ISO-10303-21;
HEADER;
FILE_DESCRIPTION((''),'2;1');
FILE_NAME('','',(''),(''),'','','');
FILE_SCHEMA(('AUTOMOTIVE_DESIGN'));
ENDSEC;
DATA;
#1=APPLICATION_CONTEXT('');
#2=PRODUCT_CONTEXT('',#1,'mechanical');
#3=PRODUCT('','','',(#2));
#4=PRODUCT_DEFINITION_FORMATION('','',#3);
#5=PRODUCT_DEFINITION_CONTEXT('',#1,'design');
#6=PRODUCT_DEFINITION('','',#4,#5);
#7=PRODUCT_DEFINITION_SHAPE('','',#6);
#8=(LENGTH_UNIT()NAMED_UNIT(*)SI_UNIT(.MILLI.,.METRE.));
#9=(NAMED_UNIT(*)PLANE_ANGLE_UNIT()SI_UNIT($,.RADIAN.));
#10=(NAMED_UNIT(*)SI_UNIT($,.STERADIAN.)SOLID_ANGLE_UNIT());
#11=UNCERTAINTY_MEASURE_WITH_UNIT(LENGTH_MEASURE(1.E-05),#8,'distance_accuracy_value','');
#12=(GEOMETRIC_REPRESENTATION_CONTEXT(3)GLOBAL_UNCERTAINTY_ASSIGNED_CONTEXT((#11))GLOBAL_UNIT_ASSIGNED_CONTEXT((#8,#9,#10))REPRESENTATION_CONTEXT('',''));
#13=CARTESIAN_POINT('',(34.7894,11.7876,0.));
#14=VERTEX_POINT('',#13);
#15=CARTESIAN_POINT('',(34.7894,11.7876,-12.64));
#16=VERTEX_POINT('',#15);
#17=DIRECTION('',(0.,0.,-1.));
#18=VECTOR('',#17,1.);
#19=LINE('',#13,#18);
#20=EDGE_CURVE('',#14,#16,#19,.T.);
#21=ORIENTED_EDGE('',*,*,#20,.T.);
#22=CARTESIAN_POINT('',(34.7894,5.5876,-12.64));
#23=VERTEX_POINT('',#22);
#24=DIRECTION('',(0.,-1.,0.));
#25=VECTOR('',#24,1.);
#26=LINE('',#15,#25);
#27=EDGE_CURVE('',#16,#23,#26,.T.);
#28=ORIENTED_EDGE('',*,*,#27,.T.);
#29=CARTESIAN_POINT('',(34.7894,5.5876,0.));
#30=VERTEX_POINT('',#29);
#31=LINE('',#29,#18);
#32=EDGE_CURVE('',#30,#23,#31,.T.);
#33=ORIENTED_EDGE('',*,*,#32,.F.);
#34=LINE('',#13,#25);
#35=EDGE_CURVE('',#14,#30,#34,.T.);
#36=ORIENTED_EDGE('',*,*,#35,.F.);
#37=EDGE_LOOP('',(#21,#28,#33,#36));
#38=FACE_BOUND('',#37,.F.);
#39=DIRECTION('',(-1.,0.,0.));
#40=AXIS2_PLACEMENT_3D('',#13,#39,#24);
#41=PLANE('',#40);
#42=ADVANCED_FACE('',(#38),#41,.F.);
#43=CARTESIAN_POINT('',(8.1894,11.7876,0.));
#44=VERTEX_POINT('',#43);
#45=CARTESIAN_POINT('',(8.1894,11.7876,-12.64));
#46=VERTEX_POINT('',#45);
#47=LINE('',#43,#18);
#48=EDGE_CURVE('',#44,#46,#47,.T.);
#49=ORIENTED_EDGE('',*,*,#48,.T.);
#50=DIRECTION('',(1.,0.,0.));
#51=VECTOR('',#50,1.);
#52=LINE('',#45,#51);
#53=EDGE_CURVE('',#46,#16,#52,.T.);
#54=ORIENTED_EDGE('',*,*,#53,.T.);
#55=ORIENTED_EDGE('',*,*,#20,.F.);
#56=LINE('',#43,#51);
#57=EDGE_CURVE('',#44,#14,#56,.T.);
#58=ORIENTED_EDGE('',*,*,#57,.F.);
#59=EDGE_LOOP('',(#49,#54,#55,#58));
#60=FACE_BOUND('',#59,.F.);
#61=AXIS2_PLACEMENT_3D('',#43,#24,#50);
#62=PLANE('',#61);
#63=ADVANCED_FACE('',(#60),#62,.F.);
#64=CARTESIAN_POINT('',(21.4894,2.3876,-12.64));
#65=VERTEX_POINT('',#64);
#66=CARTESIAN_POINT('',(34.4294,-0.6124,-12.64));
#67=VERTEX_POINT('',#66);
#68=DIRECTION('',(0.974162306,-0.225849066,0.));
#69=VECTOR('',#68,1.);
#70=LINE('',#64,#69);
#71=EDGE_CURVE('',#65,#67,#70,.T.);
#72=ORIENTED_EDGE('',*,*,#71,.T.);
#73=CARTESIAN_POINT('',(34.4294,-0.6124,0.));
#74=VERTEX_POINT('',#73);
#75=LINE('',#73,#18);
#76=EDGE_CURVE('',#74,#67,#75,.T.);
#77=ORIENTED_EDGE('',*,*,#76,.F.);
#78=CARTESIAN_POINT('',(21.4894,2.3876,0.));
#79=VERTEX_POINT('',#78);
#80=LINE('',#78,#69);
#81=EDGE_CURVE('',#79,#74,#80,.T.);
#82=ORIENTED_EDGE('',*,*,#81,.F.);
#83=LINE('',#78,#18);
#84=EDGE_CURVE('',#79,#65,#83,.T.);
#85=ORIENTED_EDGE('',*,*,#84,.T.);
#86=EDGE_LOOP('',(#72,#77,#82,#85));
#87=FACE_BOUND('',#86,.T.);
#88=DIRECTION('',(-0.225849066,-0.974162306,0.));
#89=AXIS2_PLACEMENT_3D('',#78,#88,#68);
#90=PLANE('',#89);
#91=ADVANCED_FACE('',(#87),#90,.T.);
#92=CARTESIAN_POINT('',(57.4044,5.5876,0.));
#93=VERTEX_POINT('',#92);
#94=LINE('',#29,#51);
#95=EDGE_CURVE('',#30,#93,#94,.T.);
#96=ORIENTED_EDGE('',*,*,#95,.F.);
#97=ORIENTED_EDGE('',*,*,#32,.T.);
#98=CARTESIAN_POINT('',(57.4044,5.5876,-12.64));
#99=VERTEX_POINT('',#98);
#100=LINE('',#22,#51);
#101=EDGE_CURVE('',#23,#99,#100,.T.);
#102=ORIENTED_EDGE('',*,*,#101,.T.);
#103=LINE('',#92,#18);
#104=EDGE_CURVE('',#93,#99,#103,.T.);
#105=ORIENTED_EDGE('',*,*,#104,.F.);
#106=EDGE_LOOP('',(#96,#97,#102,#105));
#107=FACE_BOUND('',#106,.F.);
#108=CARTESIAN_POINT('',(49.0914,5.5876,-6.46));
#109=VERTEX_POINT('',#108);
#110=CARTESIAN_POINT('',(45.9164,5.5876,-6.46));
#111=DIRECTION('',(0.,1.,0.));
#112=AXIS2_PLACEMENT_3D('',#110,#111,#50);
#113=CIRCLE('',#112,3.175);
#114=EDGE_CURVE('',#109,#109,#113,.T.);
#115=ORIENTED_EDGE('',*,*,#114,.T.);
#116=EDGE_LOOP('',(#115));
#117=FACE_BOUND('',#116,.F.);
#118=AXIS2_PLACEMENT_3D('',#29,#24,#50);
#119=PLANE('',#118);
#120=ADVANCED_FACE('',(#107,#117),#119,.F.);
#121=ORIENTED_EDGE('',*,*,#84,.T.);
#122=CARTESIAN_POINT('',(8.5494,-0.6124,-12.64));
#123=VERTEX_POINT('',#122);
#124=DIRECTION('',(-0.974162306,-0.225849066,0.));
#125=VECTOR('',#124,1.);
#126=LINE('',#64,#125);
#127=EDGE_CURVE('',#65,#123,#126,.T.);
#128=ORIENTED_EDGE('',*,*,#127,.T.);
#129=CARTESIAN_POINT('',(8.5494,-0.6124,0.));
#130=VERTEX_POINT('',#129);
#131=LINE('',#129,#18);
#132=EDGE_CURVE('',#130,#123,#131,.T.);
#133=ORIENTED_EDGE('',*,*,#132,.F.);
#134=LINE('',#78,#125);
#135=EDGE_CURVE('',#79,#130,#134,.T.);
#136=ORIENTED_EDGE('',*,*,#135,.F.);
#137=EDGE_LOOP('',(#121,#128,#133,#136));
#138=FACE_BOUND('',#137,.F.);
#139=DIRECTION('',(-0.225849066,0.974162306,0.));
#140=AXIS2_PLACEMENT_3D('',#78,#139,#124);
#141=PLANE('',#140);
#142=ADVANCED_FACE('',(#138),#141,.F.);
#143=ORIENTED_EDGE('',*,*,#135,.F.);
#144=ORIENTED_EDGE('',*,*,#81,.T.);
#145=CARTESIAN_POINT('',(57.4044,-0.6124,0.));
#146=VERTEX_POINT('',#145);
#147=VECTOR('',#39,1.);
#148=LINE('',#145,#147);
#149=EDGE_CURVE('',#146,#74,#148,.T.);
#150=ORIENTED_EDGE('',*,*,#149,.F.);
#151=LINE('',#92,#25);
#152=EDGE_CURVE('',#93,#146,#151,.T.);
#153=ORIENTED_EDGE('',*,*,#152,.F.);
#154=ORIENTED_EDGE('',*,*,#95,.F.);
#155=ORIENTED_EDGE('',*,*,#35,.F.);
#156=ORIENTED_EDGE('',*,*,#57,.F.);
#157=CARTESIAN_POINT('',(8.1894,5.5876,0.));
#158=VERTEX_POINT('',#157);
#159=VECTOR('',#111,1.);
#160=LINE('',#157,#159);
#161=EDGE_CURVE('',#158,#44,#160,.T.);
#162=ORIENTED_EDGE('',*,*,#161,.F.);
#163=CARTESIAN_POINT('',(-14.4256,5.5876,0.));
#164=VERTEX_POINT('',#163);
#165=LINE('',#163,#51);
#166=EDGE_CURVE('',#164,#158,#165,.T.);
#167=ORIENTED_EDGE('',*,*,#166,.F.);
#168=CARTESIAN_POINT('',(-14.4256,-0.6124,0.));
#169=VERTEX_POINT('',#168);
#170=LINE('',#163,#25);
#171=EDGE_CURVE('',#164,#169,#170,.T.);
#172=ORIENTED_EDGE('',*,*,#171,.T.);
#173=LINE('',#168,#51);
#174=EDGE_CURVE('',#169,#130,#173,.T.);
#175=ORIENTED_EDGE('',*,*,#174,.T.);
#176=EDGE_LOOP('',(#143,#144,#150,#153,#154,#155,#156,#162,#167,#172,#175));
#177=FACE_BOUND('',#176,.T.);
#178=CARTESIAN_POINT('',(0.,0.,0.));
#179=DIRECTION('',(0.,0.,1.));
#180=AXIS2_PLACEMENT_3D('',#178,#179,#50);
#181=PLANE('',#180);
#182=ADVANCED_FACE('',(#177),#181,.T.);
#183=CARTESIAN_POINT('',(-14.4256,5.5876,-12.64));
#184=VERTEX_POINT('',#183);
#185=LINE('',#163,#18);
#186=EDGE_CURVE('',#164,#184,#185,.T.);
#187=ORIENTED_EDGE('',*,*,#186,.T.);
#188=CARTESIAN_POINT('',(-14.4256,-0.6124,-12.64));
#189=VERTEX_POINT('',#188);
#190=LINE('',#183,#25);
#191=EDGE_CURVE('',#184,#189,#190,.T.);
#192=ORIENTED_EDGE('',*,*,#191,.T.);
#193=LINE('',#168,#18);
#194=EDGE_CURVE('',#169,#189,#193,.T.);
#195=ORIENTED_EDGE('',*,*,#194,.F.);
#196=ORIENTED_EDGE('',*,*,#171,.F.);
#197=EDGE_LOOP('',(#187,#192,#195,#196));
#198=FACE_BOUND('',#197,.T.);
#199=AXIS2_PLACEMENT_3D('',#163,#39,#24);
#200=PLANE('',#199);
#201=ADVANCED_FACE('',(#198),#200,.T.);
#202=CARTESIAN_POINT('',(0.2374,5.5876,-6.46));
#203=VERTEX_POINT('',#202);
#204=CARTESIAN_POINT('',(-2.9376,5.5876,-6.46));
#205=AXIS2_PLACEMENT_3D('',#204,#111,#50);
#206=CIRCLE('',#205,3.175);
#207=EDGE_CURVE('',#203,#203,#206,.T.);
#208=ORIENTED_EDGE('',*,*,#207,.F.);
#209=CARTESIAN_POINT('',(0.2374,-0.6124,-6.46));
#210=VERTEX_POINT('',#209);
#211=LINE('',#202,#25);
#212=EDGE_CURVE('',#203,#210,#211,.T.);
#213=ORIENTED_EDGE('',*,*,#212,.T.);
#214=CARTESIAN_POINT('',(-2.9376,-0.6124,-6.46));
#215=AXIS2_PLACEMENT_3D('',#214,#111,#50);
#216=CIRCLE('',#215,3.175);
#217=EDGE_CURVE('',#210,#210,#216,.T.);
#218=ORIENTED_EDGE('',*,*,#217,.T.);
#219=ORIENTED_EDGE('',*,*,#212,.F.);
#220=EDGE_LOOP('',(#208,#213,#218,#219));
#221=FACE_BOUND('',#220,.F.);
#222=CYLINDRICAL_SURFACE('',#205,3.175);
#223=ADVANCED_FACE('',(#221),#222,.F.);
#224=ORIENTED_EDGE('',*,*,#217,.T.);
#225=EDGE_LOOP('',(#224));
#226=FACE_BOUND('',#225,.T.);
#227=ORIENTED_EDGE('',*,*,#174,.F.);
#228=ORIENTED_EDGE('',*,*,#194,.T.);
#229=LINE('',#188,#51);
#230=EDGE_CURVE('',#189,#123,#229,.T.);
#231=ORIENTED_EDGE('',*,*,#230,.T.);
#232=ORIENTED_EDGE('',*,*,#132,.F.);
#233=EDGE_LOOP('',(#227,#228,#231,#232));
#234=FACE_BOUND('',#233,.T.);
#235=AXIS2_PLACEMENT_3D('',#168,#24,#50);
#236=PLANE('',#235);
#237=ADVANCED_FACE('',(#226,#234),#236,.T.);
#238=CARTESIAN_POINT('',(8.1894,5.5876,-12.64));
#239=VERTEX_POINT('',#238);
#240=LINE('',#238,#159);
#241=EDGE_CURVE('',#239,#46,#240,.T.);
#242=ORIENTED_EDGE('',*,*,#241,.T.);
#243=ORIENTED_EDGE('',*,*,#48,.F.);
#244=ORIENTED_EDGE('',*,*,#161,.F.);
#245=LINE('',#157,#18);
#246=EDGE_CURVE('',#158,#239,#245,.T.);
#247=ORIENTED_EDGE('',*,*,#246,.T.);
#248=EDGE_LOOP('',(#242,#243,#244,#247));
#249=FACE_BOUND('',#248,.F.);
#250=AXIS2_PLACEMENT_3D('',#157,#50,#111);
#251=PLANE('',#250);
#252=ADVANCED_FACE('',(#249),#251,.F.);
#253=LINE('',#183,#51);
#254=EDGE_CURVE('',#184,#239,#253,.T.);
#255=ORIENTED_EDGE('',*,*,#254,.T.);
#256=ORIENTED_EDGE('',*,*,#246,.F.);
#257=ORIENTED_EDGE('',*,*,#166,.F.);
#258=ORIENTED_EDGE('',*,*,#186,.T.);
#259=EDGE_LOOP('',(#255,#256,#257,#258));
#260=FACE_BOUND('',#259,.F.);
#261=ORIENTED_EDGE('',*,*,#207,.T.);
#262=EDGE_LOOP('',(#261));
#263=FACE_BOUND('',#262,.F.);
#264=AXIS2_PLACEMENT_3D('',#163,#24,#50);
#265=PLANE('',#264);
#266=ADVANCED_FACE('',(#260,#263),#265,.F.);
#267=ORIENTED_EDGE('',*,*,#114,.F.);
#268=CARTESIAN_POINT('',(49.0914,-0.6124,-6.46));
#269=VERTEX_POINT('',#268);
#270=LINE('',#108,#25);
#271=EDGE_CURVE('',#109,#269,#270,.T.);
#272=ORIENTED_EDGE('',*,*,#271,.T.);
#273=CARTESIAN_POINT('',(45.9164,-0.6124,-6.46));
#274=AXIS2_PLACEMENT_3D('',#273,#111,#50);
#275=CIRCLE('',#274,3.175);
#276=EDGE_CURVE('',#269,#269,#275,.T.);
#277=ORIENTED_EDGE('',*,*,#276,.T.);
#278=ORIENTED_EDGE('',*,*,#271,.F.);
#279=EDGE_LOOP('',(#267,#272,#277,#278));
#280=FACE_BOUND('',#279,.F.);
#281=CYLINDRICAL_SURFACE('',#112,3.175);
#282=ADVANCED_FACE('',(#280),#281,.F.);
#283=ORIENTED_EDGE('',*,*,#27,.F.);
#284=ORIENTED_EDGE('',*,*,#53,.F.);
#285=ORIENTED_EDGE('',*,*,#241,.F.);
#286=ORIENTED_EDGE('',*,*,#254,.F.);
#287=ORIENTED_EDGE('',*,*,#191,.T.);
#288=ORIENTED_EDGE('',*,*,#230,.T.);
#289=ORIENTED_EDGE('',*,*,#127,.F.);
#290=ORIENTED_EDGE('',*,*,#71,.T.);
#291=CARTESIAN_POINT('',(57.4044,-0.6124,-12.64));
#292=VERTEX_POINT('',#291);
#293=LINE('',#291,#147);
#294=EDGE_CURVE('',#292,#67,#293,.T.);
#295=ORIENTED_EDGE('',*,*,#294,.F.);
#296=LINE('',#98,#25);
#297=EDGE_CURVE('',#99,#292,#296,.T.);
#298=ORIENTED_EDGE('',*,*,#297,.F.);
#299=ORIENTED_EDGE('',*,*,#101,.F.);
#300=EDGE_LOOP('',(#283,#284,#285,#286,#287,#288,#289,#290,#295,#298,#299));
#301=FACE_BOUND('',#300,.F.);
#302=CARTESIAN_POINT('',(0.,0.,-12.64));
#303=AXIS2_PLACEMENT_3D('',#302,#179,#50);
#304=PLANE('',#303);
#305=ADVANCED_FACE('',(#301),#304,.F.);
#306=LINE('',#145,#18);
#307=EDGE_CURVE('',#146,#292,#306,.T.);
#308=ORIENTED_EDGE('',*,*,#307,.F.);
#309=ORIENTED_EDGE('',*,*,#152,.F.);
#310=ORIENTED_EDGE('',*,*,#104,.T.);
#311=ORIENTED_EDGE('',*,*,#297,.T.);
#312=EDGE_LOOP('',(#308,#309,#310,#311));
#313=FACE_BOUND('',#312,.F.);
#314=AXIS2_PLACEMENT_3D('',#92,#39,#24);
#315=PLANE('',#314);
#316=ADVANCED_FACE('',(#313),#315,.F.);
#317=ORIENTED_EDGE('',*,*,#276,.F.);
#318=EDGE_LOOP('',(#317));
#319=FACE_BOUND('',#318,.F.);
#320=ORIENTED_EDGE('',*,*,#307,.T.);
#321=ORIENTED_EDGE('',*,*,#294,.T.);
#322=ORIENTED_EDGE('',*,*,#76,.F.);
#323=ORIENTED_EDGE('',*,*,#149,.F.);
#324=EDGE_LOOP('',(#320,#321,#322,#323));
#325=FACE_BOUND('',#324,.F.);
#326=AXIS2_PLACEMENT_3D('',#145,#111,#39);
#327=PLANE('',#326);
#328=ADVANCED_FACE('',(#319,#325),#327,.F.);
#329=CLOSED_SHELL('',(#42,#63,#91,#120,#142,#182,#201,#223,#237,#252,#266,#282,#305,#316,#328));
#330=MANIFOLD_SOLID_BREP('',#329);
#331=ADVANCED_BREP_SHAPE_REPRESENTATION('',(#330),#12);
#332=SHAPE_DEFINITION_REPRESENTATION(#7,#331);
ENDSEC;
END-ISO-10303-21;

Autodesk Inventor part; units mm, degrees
ref_plane "YZ Plane" through (0, 0, 0) normal (1, 0, 0) x (0, 1, 0)
ref_plane "XZ Plane" through (0, 0, 0) normal (0, 1, 0) x (-1, 0, 0)
ref_plane "XY Plane" through (0, 0, 0) normal (0, 0, 1) x (1, 0, 0)
sketch "Sketch1" plane through (0, 0, 0) normal (0, 0, 1) x (1, 0, 0)
  line L0 (-14.4256, 5.5876) -> (8.1894, 5.5876)
  line L1 (8.1894, 5.5876) -> (8.1894, 11.7876)
  line L2 (8.1894, 11.7876) -> (34.7894, 11.7876)
  line L3 (34.7894, 11.7876) -> (34.7894, 5.5876)
  line L4 (34.7894, 5.5876) -> (57.4044, 5.5876)
  line L5 (57.4044, 5.5876) -> (57.4044, -0.6124)
  line L6 (57.4044, -0.6124) -> (34.4294, -0.6124)
  line L7 (-14.4256, 5.5876) -> (-14.4256, -0.6124)
  line L8 (-14.4256, -0.6124) -> (8.5494, -0.6124)
  line L9 (21.4894, 2.3876) -> (8.5494, -0.6124)
  line L10 (21.4894, 2.3876) -> (34.4294, -0.6124)
  point P0 (0, 0)
  dimension "d0" = 22.615
  dimension "d1" = 6.2
  dimension "d2" = 26.6
  dimension "d3" = 22.615
  dimension "d4" = 6.2
  dimension "d5" = 22.975
  dimension "d9" = 22.975
extrude "Extrusion1" add sketch "Sketch1" against normal blind 12.64
sketch "Sketch2" plane through (-14.4256, 5.5876, 0) normal (0, 1, 0) x (1, 0, 0)
  circle A0 centre (11.488, 6.46) radius 3.175
  circle A1 centre (60.342, 6.46) radius 3.175
  line L0 (0, 0) -> (0, 12.64) projected
  line L1 (0, 12.64) -> (22.615, 12.64) projected
  line L2 (49.215, 12.64) -> (71.83, 12.64) projected
  line L3 (71.83, 0) -> (71.83, 12.64) projected
  point P0 (14.4256, 0)
  dimension "d14" = 11.488
  dimension "d15" = 6.18
  dimension "d16" = 6.35
  dimension "d17" = 6.18
  dimension "d18" = 11.488
  dimension "d19" = 6.35
extrude "Extrusion2" cut sketch "Sketch2" against normal blind 12.64
thread "Thread1" size "1/4-20 UNC" class "2B" standard "ANSI Unified Screw Threads" full length
thread "Thread2" size "1/4-20 UNC" class "2B" standard "ANSI Unified Screw Threads" full length
properties part number "syringe holder"
